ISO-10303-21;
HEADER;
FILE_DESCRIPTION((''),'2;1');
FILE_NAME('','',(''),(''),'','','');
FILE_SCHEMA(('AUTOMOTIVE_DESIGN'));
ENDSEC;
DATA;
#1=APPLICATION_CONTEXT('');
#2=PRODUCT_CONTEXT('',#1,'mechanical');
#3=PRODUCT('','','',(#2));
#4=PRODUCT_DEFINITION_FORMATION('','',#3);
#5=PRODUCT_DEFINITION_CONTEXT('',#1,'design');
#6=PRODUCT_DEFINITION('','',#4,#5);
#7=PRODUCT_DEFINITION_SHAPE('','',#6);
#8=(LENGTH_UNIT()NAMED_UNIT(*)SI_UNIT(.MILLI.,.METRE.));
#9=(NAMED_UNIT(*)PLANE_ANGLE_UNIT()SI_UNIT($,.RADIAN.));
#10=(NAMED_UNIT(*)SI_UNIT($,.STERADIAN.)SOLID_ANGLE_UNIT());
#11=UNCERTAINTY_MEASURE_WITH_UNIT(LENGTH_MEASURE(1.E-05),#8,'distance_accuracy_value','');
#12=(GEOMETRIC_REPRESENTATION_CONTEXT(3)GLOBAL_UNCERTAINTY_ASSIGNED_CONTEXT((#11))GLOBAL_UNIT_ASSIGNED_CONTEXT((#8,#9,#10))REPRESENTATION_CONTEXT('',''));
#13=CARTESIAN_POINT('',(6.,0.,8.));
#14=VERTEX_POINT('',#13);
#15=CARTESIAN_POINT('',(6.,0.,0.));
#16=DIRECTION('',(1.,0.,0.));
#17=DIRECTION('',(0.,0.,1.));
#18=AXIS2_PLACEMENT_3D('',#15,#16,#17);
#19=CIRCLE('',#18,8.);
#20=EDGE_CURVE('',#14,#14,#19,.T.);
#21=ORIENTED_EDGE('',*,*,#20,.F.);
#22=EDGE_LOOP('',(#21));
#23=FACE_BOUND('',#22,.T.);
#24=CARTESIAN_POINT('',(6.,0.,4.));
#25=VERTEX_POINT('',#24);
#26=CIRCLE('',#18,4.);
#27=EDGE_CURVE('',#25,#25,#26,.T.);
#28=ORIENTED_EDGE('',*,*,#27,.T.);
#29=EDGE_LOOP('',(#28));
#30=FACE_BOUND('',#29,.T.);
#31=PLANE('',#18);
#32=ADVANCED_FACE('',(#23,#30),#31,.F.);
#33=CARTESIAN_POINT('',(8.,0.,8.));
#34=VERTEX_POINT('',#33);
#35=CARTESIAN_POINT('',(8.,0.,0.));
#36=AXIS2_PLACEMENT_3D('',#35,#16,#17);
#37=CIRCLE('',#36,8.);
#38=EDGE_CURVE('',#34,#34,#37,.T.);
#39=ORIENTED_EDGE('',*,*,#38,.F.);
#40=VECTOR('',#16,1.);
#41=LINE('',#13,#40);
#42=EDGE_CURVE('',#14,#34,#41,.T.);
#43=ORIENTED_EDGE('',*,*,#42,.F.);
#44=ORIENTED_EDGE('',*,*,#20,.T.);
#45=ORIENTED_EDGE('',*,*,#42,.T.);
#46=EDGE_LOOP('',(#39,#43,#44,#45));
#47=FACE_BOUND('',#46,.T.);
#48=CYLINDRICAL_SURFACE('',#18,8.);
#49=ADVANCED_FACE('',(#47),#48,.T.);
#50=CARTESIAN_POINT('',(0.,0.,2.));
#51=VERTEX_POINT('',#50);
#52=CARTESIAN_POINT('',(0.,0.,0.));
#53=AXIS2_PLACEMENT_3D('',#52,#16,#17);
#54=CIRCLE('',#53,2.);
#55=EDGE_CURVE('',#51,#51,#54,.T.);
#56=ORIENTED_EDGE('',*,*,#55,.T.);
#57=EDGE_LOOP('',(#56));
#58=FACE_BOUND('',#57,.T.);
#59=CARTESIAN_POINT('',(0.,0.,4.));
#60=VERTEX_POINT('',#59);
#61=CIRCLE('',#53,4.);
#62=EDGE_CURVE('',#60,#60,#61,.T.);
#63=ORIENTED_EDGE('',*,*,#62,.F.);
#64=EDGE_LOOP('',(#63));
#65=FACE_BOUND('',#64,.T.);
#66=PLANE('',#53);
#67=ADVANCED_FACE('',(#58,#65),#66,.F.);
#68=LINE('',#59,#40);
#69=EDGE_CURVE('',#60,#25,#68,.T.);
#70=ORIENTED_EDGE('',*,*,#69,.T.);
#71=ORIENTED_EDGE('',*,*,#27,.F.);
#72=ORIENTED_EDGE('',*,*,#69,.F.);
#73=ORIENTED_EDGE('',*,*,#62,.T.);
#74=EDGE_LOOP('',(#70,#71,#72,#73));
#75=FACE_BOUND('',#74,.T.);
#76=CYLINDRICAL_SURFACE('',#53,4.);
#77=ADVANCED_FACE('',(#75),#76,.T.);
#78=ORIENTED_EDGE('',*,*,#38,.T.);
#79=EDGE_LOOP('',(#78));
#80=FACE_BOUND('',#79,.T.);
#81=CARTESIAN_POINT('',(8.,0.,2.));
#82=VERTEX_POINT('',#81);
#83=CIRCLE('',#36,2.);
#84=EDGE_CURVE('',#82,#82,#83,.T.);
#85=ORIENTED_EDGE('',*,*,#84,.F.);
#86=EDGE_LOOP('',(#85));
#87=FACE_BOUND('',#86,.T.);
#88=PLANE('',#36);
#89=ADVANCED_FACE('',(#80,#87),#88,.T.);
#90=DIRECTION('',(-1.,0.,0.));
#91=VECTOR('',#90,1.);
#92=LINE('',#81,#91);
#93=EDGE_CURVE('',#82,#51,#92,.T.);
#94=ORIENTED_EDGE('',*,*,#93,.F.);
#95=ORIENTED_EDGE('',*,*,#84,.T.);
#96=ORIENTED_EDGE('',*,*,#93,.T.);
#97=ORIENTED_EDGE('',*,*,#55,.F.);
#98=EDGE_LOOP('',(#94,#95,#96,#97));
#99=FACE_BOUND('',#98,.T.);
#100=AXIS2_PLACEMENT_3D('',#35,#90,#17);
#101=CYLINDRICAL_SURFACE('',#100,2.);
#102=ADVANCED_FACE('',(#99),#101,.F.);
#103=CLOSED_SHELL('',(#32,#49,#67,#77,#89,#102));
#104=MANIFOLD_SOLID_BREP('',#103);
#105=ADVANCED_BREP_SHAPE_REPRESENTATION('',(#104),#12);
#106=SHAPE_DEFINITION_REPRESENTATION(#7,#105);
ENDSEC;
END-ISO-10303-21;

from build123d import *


with BuildPart() as part:
    # Sketch1 → Revolve1 (revolve)
    with BuildSketch(Plane(origin=(0, 0, 0), x_dir=(1, 0, 0), z_dir=(0, 1, 0)), mode=Mode.PRIVATE) as revolve1_sk:
        Polygon((0, 2), (0, 4), (6, 4), (6, 8), (8, 8), (8, 2), align=None)
    revolve(revolve1_sk.sketch.rotate(Axis((0, 0, 0), (1, 0, 0)), 180), axis=Axis((0, 0, 0), (1, 0, 0)))


solid = part.part
